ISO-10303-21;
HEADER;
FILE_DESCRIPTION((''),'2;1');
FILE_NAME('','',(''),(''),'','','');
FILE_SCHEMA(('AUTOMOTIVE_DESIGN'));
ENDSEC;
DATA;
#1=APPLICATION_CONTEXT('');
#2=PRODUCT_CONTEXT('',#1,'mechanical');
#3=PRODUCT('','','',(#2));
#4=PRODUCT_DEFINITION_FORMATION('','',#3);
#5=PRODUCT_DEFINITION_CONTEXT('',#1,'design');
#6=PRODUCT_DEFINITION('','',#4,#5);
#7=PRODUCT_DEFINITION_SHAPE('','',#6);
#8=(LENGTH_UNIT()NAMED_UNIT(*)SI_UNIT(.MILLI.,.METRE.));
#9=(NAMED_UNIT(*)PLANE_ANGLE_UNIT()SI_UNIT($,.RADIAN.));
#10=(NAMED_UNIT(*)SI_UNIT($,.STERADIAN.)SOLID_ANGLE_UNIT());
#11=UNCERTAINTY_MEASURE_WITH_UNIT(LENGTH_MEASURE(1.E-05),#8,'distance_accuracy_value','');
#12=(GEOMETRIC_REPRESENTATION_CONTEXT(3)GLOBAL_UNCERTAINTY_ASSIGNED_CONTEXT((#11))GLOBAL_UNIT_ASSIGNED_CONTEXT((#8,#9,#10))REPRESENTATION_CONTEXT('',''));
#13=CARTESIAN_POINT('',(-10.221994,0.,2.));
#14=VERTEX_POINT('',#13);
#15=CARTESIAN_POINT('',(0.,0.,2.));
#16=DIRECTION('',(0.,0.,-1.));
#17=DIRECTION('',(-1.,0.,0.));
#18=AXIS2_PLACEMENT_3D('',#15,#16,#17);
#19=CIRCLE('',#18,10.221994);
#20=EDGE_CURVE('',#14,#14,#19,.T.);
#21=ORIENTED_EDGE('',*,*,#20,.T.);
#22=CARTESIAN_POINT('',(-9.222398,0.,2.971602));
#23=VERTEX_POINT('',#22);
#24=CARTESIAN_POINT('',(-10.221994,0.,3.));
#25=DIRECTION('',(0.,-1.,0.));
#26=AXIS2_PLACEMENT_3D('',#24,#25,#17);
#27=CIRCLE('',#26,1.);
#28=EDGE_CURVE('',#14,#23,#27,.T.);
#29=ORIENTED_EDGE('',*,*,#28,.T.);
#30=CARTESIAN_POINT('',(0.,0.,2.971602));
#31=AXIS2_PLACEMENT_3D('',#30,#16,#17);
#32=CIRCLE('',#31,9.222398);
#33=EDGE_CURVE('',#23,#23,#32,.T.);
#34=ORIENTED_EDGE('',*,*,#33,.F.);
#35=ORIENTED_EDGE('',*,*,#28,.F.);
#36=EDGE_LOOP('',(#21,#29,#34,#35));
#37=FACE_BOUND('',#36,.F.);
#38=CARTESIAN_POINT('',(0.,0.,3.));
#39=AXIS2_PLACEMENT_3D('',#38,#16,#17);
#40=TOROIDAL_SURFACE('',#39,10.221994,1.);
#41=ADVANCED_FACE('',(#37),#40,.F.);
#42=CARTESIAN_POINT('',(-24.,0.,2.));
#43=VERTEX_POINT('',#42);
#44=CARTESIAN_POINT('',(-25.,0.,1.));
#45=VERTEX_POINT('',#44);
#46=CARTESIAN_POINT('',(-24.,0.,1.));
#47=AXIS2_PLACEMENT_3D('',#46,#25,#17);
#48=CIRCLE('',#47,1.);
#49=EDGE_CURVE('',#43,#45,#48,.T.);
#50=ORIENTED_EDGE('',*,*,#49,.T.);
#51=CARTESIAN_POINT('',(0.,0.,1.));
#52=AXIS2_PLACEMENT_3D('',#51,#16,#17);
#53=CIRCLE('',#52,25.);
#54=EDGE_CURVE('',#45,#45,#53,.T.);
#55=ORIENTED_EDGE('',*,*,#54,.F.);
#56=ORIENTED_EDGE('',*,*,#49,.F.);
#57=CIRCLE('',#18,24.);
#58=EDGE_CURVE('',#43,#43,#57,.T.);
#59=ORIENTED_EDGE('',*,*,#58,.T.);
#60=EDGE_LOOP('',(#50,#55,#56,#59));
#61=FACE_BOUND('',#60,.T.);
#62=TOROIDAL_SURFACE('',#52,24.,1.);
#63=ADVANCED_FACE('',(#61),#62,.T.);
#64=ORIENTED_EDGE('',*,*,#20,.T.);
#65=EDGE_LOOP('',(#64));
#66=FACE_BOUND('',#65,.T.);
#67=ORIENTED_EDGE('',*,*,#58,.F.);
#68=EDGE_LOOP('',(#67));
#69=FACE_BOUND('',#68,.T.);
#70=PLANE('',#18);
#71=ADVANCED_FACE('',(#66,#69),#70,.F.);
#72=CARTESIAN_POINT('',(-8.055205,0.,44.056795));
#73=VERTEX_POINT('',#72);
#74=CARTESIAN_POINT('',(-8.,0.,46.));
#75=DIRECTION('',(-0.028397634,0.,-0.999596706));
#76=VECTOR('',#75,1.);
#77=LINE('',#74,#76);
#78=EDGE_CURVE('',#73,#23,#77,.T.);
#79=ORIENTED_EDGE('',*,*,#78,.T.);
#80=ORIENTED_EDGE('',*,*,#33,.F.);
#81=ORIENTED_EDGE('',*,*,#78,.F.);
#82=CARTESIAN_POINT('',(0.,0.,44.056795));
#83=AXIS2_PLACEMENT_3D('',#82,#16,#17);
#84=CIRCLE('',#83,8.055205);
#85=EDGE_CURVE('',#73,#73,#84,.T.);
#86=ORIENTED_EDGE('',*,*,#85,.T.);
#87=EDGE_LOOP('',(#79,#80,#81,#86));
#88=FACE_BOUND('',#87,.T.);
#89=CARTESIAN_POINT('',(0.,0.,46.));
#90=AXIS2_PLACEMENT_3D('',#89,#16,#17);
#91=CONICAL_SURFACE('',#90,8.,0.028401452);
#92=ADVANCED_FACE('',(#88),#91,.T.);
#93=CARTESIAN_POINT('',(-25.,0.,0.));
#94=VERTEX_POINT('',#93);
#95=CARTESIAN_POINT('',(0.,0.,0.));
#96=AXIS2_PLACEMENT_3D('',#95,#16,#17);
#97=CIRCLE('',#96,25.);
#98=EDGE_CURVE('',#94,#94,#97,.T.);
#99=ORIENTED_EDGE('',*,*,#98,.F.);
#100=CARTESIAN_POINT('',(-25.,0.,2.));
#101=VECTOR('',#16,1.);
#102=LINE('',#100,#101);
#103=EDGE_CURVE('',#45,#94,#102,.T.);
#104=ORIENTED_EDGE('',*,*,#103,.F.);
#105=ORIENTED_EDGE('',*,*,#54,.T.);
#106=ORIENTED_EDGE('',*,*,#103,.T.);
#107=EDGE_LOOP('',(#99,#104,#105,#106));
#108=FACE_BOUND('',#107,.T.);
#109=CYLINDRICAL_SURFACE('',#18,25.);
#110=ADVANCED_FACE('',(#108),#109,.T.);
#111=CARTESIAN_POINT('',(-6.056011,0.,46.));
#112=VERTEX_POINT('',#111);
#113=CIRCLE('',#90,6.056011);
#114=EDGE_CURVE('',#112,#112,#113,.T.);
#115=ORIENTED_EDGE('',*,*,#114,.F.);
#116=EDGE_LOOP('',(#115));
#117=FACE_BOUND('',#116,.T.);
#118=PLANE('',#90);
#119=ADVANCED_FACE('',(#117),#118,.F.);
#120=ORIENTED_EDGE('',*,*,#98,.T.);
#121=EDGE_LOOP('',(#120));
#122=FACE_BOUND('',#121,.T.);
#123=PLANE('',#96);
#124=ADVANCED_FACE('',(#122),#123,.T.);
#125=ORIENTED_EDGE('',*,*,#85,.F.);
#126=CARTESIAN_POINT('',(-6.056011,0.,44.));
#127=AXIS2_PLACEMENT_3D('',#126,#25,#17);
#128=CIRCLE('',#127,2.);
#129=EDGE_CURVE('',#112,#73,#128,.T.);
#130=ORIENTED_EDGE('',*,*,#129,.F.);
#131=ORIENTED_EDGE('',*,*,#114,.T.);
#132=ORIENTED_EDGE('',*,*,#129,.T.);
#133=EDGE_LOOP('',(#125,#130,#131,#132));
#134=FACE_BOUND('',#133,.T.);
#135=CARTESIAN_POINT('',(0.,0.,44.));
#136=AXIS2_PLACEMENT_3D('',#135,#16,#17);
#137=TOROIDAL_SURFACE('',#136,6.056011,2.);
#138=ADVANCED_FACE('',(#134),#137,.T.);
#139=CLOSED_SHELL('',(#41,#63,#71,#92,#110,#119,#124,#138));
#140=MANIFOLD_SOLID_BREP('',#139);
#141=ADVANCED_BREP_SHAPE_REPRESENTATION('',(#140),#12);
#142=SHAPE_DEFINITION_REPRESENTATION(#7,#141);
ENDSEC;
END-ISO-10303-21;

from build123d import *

# Parameters (mm, degrees)
F2_R = 2
F3_R = 1
F4_R = 1


with BuildPart() as f1:
    # F0 (on Front) → F1 (revolve)
    with BuildSketch(Plane.XZ):
        Polygon((-25, 0), (0, 0), (0, 46), (-8, 46), (-9.25, 2), (-25, 2), align=None)
    revolve(axis=Axis((0, 0, 23), (0, 0, -1)))

    # F2
    f2_edges = [f1.edges().sort_by_distance(p)[0] for p in [
        (8, 0, 46),
    ]]
    fillet(f2_edges, radius=F2_R)

    # F3
    f3_edges = [f1.edges().sort_by_distance(p)[0] for p in [
        (25, 0, 2),
    ]]
    fillet(f3_edges, radius=F3_R)

    # F4
    f4_edges = [f1.edges().sort_by_distance(p)[0] for p in [
        (9.25, 0, 2),
    ]]
    fillet(f4_edges, radius=F4_R)


solid = f1.part
